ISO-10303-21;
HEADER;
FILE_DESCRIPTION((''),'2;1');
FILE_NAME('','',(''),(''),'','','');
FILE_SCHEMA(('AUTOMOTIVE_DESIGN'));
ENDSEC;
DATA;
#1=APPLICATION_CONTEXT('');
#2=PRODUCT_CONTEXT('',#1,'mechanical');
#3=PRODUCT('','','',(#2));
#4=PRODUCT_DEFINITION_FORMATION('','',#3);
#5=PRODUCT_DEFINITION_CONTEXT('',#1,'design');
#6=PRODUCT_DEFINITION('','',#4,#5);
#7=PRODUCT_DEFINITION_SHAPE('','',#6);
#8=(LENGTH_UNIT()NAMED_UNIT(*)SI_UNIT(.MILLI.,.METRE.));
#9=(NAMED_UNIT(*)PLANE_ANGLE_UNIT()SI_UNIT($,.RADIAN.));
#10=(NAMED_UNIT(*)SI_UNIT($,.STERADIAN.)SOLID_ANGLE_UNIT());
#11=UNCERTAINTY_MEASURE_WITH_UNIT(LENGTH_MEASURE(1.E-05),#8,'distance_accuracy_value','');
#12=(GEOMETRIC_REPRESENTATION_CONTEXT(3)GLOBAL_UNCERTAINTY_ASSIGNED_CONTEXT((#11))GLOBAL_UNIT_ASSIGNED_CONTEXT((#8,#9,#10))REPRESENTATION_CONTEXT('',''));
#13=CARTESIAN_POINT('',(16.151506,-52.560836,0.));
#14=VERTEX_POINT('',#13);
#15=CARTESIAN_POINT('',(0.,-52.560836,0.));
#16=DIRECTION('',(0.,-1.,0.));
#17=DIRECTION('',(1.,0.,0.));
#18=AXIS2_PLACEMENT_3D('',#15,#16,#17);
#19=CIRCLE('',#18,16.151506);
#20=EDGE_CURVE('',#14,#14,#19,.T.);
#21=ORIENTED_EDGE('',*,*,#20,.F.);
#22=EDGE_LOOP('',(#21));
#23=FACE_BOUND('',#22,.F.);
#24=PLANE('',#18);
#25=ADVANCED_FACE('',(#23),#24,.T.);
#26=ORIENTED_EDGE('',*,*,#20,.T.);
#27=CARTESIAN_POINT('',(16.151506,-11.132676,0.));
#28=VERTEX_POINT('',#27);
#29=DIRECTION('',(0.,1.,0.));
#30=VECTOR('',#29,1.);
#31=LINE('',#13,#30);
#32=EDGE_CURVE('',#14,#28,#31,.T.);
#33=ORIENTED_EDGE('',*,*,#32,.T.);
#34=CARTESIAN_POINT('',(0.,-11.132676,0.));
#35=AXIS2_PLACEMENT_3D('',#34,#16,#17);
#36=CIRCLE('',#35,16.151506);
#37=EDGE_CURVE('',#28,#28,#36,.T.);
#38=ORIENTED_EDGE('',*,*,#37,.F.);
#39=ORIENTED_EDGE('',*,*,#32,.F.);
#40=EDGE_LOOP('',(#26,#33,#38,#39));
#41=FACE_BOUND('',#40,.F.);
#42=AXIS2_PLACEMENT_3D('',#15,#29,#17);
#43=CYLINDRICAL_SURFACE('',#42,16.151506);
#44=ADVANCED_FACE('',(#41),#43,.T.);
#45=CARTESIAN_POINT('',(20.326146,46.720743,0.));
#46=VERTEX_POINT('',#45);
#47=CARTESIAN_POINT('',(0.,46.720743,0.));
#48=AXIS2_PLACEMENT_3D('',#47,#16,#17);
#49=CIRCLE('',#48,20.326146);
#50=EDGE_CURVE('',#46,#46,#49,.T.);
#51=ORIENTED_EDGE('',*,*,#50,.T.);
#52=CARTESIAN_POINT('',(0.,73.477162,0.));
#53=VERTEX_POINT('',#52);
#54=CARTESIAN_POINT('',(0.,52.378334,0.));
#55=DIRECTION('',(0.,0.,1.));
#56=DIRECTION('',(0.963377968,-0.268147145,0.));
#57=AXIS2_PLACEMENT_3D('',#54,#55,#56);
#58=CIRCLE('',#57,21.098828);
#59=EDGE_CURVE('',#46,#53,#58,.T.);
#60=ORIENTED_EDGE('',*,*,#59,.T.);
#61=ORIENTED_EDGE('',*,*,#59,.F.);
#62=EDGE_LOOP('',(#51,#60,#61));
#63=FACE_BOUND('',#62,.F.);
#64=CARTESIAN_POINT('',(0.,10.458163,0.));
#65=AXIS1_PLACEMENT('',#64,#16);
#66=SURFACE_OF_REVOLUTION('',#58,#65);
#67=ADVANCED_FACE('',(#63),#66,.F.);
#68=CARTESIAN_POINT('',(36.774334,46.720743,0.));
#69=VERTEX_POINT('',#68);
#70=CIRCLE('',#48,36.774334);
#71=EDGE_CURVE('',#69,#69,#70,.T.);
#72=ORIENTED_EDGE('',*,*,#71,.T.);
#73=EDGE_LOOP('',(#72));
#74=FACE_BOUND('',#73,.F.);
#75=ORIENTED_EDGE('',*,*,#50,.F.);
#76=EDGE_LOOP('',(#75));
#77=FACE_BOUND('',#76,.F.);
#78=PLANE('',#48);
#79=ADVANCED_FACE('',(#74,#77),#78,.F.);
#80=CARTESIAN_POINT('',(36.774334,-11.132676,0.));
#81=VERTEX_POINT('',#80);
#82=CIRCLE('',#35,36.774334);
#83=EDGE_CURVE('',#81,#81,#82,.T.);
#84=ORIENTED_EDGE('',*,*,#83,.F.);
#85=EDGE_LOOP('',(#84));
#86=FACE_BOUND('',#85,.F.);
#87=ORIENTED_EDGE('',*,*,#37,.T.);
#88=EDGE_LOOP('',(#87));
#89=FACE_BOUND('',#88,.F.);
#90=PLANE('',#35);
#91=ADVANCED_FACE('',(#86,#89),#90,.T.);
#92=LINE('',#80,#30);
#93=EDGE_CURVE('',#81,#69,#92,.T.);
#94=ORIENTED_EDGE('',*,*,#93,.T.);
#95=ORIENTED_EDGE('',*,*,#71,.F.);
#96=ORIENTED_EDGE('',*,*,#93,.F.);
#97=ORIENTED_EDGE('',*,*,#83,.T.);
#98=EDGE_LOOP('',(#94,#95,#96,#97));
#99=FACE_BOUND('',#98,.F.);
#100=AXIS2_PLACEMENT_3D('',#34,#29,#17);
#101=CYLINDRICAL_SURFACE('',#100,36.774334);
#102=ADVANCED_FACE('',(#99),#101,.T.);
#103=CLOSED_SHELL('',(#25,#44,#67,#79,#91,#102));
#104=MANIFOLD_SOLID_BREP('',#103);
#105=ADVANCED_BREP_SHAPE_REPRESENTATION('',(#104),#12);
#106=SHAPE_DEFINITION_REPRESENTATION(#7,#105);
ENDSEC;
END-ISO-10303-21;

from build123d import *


with BuildPart() as f1:
    # F0 (on Top) → F1 (revolve)
    with BuildSketch(Plane.XY):
        with BuildLine():
            Line((36.774334, 46.720743), (20.326146, 46.720743))
            ThreePointArc((20.326146, 46.720743), (16.80073, 65.141406), (0, 73.477162))
            Line((0, 73.477162), (0, 46.720743))
            Line((0, 46.720743), (0, -11.132676))
            Line((0, -11.132676), (0, -52.560836))
            Line((0, -52.560836), (16.151506, -52.560836))
            Line((16.151506, -52.560836), (16.151506, -11.132676))
            Line((16.151506, -11.132676), (36.774334, -11.132676))
            Line((36.774334, -11.132676), (36.774334, 46.720743))
        make_face()
    revolve(axis=Axis((0, 10.458163, 0), (0, -1, 0)))


solid = f1.part
